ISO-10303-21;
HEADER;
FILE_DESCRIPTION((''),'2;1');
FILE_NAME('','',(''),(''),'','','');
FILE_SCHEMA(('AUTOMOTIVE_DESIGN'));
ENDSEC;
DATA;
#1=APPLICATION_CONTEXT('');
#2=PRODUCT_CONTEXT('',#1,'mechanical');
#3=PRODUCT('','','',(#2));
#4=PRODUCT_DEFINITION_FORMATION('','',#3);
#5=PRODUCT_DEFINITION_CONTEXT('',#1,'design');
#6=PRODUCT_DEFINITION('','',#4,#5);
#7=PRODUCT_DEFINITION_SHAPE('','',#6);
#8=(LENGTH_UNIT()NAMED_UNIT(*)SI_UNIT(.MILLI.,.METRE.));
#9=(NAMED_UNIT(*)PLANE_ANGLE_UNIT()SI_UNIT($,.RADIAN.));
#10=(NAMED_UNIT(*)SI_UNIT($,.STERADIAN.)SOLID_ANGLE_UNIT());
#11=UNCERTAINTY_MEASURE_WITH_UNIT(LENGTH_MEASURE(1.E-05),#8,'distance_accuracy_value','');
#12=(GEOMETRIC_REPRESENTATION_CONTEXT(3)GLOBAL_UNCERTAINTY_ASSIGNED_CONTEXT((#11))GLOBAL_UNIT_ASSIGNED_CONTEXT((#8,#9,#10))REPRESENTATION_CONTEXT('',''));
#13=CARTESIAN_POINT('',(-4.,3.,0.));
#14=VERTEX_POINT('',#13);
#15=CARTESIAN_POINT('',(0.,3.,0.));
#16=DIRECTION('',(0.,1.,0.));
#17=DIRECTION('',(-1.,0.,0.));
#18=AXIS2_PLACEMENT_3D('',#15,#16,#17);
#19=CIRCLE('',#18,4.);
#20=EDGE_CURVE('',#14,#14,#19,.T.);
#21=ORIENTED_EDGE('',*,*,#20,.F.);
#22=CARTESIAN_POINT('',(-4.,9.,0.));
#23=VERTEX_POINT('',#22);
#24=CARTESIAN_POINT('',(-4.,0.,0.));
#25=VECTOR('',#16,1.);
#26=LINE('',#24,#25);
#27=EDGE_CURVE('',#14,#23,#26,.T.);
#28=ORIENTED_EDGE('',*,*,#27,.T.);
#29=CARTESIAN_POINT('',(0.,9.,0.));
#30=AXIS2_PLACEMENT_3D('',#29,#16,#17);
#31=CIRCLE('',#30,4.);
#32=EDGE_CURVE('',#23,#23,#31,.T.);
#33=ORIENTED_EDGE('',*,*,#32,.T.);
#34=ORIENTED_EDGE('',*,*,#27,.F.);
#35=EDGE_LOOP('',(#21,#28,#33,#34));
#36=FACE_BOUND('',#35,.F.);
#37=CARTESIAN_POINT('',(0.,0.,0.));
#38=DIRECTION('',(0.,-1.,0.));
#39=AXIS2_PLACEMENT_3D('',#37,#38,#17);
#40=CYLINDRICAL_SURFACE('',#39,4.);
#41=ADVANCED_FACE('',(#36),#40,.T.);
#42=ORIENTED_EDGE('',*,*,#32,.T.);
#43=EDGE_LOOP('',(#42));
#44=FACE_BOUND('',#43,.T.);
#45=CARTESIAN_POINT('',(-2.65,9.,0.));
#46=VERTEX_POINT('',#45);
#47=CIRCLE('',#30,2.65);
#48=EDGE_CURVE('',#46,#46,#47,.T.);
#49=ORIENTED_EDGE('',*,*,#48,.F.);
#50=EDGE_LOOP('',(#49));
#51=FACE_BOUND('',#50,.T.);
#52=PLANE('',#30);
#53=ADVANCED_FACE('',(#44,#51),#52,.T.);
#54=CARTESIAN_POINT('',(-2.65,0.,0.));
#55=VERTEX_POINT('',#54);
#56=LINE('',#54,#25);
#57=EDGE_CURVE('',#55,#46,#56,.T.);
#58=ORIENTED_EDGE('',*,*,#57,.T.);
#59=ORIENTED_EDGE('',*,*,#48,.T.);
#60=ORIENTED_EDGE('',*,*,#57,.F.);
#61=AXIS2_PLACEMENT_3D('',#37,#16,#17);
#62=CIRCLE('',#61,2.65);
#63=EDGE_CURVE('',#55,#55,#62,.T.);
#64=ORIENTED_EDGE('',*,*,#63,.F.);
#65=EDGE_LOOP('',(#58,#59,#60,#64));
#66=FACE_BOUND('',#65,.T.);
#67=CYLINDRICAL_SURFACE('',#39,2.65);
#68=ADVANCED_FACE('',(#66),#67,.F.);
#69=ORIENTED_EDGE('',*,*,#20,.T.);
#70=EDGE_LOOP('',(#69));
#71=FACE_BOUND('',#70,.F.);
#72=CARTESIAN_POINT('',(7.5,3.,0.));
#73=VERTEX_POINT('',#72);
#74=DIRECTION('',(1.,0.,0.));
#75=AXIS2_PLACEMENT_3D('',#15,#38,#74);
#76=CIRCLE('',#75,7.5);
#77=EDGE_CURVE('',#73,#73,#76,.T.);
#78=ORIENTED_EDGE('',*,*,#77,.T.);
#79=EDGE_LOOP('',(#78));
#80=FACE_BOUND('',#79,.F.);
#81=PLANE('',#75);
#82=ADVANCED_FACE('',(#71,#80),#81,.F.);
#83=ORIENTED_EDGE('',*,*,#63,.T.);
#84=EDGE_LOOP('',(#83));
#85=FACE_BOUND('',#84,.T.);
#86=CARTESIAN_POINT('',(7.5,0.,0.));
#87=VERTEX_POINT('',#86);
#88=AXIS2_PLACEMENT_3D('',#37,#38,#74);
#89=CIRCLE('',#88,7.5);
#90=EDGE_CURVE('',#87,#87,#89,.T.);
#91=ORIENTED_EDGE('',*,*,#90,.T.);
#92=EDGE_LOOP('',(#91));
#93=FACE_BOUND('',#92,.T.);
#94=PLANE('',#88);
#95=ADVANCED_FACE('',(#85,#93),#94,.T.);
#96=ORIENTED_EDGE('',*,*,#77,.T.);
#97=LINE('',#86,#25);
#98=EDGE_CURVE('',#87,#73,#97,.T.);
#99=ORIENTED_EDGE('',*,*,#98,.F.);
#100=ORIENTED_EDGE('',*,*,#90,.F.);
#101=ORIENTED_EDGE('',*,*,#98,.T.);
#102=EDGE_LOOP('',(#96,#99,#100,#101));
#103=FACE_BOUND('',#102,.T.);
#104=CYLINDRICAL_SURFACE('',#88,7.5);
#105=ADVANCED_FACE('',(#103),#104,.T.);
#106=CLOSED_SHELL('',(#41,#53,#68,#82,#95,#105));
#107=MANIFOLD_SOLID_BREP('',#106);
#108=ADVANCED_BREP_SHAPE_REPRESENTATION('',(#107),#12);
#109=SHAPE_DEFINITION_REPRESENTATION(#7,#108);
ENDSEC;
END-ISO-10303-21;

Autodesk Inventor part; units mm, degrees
ref_plane "YZ Plane" through (0, 0, 0) normal (1, 0, 0) x (0, 1, 0)
ref_plane "XZ Plane" through (0, 0, 0) normal (0, 1, 0) x (-1, 0, 0)
ref_plane "XY Plane" through (0, 0, 0) normal (0, 0, 1) x (1, 0, 0)
sketch "Sketch1" plane through (0, 0, 0) normal (0, 1, 0) x (-1, 0, 0)
  circle A0 centre (0, 0) radius 2.65
  circle A1 centre (0, 0) radius 4
  dimension "d0" = 8
extrude "Extrusion1" add sketch "Sketch1" along normal blind 9
sketch "Sketch2" plane through (0, 0, 0) normal (0, -1, 0) x (1, 0, 0)
  circle A0 centre (0, 0) radius 4 projected
  circle A1 centre (0, 0) radius 7.5
  dimension "d3" = 15
extrude "Extrusion2" add sketch "Sketch2" against normal blind 3
properties part number "5mmCap"
